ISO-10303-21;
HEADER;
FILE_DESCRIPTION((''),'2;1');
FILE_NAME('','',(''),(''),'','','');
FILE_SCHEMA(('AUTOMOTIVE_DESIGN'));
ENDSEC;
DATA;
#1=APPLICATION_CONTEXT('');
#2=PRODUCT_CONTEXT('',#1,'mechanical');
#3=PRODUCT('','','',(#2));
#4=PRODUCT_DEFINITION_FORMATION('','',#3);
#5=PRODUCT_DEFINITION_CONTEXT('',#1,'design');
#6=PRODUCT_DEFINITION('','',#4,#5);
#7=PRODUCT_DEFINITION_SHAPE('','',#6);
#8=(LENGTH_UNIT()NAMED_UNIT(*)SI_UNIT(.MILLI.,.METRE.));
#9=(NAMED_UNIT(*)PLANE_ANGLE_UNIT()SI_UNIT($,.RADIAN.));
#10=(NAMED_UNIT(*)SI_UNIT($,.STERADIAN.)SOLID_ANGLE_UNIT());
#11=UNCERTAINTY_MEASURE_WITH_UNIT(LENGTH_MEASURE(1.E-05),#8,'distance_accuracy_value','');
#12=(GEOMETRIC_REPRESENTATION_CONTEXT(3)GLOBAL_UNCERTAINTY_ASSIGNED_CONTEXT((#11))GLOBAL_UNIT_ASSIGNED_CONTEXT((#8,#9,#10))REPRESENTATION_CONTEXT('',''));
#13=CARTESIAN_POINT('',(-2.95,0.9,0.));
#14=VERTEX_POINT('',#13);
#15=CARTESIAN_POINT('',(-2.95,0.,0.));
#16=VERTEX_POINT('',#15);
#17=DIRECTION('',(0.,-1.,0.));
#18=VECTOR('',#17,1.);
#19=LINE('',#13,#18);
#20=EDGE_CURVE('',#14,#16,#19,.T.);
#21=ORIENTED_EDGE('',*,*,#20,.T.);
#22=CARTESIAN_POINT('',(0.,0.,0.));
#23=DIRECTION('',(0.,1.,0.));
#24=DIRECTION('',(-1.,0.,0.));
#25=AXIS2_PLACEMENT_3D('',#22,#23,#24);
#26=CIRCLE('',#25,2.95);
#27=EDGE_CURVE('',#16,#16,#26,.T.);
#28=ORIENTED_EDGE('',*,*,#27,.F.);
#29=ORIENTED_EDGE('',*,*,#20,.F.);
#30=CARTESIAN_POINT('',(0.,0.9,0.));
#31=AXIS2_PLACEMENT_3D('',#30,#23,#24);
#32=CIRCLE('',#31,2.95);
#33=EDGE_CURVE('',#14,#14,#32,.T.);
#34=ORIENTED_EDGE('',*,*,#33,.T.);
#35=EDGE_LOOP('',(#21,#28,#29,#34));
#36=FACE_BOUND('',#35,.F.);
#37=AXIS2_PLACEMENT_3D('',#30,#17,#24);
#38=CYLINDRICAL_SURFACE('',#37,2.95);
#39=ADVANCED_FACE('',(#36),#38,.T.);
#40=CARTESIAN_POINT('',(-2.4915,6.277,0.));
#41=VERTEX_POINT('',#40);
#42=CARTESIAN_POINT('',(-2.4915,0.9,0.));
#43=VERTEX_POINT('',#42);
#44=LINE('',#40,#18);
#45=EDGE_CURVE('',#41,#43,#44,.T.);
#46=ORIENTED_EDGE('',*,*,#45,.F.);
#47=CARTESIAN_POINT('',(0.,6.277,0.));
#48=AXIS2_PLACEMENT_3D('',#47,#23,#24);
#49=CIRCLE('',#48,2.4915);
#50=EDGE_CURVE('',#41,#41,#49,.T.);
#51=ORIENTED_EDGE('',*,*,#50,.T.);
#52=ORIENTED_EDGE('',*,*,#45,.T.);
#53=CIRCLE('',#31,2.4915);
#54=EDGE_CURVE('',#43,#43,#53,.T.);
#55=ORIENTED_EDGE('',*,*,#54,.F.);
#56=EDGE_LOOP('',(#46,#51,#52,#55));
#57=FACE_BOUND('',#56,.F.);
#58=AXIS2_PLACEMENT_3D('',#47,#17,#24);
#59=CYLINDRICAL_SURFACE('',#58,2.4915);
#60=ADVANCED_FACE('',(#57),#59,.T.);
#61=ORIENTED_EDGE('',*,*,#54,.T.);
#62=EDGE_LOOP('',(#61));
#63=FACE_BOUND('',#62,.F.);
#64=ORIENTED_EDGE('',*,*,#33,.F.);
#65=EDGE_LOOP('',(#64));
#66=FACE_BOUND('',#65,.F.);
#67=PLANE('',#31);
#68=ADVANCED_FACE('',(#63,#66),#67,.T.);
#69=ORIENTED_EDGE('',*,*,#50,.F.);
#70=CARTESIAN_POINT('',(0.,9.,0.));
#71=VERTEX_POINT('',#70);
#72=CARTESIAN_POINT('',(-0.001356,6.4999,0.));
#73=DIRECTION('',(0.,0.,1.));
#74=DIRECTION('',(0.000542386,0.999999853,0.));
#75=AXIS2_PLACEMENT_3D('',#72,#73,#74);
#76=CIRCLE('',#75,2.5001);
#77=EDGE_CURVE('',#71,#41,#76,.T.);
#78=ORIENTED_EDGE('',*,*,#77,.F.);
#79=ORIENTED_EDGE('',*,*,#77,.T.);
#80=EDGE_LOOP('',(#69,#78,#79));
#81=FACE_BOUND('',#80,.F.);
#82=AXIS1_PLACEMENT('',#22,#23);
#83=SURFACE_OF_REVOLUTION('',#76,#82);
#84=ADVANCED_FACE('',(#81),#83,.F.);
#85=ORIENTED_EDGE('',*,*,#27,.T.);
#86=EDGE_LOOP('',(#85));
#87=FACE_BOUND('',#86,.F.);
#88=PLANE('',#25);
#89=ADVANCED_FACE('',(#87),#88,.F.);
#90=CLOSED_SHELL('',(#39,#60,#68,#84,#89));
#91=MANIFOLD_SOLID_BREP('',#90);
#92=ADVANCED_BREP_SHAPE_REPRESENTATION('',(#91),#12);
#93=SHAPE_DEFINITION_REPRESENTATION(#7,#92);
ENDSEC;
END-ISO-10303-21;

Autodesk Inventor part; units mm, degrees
ref_plane "YZ Plane" through (0, 0, 0) normal (1, 0, 0) x (0, 1, 0)
ref_plane "XZ Plane" through (0, 0, 0) normal (0, 1, 0) x (-1, 0, 0)
ref_plane "XY Plane" through (0, 0, 0) normal (0, 0, 1) x (1, 0, 0)
sketch "Sketch1" plane through (0, 0, 0) normal (0, 0, 1) x (1, 0, 0)
  line L0 (0, 0) -> (0, 9)
  arc A0 (0, 9) -> (-2.4915, 6.277) centre (-0.0014, 6.5) ccw
  line L1 (-2.4915, 6.277) -> (-2.4915, 0.9)
  line L2 (-2.4915, 0.9) -> (-2.95, 0.9)
  line L3 (-2.95, 0.9) -> (-2.95, 0)
  line L4 (-2.95, 0) -> (0, 0)
  dimension "d0" = 5
  dimension "d1" = 9
  dimension "d2" = 0.9
  dimension "d3" = 2.95
revolve "Revolution1" add sketch "Sketch1" angle 360 about axis through (0, 0, 0) along (0, 1, 0)
properties part number "LED - Green" material "ABS Plastic"
